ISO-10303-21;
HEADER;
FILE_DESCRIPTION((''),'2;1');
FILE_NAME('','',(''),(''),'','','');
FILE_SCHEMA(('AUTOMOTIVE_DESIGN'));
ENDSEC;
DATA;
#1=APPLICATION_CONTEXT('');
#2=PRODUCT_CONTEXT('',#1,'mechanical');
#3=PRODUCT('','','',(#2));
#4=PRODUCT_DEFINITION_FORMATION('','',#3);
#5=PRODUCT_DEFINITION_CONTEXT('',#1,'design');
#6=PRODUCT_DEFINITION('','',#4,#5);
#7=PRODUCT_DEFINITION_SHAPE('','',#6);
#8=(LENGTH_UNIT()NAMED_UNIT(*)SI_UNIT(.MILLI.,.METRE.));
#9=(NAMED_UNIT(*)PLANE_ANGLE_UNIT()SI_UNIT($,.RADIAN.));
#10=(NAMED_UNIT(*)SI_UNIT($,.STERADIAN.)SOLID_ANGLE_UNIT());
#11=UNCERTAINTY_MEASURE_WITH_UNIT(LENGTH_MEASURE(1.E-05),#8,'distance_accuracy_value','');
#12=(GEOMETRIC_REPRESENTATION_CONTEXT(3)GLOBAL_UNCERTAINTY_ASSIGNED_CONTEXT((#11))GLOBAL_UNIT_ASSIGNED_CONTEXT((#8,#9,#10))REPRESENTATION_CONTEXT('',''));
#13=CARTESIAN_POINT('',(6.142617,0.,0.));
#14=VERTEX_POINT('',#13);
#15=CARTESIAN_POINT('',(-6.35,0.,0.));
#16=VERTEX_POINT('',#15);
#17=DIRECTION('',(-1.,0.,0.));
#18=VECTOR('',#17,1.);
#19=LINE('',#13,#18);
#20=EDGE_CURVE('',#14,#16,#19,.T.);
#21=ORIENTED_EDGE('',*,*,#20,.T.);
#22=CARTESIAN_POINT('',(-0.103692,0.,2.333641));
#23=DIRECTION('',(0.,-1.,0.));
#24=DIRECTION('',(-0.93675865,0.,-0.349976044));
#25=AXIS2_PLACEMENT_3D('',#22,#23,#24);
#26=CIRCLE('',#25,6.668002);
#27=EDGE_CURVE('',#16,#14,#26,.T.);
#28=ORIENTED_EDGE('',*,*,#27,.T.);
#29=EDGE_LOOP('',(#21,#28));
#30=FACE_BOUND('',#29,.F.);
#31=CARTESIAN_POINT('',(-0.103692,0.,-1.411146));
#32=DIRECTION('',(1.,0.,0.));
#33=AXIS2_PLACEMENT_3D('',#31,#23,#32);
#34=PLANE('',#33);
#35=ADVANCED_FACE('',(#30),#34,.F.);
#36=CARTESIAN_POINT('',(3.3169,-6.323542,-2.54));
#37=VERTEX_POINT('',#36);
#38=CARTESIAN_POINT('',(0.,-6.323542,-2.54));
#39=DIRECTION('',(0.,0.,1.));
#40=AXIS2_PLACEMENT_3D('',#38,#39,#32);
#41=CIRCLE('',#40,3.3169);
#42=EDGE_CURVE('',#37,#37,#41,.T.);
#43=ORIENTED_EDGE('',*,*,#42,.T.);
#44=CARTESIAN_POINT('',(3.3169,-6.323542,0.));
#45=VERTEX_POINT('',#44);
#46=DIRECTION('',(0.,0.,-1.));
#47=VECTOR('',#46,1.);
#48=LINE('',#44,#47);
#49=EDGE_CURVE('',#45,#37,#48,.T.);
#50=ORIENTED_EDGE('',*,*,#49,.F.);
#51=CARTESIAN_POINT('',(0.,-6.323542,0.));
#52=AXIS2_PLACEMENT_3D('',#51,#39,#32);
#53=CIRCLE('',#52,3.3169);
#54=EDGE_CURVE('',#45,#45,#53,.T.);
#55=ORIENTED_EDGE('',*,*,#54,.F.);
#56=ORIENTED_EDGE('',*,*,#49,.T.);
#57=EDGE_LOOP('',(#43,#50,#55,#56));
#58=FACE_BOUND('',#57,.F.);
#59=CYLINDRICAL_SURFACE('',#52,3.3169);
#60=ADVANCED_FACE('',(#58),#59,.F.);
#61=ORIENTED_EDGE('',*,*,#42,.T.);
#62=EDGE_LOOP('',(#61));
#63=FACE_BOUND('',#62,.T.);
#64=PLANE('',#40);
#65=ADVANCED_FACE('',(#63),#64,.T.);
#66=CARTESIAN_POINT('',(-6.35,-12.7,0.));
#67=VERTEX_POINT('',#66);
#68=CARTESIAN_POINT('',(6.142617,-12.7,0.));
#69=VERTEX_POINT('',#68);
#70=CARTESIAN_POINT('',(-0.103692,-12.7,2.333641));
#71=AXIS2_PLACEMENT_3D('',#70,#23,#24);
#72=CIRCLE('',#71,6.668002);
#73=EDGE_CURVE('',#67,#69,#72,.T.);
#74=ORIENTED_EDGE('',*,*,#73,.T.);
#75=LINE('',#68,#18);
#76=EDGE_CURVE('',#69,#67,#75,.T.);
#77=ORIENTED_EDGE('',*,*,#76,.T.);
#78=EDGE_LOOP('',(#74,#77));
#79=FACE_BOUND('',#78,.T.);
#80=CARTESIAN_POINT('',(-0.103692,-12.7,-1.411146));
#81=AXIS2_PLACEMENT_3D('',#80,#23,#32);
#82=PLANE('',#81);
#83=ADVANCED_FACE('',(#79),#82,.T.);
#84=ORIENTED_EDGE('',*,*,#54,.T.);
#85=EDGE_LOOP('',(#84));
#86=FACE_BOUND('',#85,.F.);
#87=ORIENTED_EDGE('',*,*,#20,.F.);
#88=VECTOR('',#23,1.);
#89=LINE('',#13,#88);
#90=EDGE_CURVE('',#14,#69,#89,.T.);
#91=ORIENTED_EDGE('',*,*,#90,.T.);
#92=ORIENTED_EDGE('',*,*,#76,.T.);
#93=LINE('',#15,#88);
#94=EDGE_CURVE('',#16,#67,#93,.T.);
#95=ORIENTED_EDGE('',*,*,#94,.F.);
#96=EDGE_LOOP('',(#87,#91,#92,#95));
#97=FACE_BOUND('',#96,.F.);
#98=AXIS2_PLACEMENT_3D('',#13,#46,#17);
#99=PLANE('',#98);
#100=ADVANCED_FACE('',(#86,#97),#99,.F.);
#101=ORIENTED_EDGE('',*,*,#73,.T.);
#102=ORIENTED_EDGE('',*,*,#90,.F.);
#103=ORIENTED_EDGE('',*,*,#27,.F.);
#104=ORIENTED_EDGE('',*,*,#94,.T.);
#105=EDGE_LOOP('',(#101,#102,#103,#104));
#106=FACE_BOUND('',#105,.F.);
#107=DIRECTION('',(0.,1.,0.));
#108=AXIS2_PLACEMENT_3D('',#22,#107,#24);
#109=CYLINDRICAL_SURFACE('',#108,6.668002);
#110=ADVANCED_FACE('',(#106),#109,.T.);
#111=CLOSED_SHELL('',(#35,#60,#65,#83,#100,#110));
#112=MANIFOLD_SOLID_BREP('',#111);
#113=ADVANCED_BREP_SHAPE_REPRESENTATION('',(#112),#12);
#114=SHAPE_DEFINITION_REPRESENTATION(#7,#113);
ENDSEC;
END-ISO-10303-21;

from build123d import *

# Parameters (mm, degrees)
F1_DEPTH = 12.7
F2_R     = 3.3169
F3_DEPTH = 2.54


with BuildPart() as f1:
    # F0 (on Front) → F1 (new body)
    with BuildSketch(Plane.XZ):
        with BuildLine():
            Line((-1.763439, 0), (-6.35, 0))
            ThreePointArc((-6.35, 0), (-0.103692, -4.334361), (6.142617, 0))
            Line((6.142617, 0), (1.579912, 0))
            Line((1.579912, 0), (-1.763439, 0))
        make_face()
    extrude(amount=F1_DEPTH)

    # F2 (on face) → F3 (cut)
    with BuildSketch(Plane.XY):
        with Locations((0, -6.323542)):
            Circle(F2_R)
    extrude(amount=-F3_DEPTH, mode=Mode.SUBTRACT)


solid = f1.part
